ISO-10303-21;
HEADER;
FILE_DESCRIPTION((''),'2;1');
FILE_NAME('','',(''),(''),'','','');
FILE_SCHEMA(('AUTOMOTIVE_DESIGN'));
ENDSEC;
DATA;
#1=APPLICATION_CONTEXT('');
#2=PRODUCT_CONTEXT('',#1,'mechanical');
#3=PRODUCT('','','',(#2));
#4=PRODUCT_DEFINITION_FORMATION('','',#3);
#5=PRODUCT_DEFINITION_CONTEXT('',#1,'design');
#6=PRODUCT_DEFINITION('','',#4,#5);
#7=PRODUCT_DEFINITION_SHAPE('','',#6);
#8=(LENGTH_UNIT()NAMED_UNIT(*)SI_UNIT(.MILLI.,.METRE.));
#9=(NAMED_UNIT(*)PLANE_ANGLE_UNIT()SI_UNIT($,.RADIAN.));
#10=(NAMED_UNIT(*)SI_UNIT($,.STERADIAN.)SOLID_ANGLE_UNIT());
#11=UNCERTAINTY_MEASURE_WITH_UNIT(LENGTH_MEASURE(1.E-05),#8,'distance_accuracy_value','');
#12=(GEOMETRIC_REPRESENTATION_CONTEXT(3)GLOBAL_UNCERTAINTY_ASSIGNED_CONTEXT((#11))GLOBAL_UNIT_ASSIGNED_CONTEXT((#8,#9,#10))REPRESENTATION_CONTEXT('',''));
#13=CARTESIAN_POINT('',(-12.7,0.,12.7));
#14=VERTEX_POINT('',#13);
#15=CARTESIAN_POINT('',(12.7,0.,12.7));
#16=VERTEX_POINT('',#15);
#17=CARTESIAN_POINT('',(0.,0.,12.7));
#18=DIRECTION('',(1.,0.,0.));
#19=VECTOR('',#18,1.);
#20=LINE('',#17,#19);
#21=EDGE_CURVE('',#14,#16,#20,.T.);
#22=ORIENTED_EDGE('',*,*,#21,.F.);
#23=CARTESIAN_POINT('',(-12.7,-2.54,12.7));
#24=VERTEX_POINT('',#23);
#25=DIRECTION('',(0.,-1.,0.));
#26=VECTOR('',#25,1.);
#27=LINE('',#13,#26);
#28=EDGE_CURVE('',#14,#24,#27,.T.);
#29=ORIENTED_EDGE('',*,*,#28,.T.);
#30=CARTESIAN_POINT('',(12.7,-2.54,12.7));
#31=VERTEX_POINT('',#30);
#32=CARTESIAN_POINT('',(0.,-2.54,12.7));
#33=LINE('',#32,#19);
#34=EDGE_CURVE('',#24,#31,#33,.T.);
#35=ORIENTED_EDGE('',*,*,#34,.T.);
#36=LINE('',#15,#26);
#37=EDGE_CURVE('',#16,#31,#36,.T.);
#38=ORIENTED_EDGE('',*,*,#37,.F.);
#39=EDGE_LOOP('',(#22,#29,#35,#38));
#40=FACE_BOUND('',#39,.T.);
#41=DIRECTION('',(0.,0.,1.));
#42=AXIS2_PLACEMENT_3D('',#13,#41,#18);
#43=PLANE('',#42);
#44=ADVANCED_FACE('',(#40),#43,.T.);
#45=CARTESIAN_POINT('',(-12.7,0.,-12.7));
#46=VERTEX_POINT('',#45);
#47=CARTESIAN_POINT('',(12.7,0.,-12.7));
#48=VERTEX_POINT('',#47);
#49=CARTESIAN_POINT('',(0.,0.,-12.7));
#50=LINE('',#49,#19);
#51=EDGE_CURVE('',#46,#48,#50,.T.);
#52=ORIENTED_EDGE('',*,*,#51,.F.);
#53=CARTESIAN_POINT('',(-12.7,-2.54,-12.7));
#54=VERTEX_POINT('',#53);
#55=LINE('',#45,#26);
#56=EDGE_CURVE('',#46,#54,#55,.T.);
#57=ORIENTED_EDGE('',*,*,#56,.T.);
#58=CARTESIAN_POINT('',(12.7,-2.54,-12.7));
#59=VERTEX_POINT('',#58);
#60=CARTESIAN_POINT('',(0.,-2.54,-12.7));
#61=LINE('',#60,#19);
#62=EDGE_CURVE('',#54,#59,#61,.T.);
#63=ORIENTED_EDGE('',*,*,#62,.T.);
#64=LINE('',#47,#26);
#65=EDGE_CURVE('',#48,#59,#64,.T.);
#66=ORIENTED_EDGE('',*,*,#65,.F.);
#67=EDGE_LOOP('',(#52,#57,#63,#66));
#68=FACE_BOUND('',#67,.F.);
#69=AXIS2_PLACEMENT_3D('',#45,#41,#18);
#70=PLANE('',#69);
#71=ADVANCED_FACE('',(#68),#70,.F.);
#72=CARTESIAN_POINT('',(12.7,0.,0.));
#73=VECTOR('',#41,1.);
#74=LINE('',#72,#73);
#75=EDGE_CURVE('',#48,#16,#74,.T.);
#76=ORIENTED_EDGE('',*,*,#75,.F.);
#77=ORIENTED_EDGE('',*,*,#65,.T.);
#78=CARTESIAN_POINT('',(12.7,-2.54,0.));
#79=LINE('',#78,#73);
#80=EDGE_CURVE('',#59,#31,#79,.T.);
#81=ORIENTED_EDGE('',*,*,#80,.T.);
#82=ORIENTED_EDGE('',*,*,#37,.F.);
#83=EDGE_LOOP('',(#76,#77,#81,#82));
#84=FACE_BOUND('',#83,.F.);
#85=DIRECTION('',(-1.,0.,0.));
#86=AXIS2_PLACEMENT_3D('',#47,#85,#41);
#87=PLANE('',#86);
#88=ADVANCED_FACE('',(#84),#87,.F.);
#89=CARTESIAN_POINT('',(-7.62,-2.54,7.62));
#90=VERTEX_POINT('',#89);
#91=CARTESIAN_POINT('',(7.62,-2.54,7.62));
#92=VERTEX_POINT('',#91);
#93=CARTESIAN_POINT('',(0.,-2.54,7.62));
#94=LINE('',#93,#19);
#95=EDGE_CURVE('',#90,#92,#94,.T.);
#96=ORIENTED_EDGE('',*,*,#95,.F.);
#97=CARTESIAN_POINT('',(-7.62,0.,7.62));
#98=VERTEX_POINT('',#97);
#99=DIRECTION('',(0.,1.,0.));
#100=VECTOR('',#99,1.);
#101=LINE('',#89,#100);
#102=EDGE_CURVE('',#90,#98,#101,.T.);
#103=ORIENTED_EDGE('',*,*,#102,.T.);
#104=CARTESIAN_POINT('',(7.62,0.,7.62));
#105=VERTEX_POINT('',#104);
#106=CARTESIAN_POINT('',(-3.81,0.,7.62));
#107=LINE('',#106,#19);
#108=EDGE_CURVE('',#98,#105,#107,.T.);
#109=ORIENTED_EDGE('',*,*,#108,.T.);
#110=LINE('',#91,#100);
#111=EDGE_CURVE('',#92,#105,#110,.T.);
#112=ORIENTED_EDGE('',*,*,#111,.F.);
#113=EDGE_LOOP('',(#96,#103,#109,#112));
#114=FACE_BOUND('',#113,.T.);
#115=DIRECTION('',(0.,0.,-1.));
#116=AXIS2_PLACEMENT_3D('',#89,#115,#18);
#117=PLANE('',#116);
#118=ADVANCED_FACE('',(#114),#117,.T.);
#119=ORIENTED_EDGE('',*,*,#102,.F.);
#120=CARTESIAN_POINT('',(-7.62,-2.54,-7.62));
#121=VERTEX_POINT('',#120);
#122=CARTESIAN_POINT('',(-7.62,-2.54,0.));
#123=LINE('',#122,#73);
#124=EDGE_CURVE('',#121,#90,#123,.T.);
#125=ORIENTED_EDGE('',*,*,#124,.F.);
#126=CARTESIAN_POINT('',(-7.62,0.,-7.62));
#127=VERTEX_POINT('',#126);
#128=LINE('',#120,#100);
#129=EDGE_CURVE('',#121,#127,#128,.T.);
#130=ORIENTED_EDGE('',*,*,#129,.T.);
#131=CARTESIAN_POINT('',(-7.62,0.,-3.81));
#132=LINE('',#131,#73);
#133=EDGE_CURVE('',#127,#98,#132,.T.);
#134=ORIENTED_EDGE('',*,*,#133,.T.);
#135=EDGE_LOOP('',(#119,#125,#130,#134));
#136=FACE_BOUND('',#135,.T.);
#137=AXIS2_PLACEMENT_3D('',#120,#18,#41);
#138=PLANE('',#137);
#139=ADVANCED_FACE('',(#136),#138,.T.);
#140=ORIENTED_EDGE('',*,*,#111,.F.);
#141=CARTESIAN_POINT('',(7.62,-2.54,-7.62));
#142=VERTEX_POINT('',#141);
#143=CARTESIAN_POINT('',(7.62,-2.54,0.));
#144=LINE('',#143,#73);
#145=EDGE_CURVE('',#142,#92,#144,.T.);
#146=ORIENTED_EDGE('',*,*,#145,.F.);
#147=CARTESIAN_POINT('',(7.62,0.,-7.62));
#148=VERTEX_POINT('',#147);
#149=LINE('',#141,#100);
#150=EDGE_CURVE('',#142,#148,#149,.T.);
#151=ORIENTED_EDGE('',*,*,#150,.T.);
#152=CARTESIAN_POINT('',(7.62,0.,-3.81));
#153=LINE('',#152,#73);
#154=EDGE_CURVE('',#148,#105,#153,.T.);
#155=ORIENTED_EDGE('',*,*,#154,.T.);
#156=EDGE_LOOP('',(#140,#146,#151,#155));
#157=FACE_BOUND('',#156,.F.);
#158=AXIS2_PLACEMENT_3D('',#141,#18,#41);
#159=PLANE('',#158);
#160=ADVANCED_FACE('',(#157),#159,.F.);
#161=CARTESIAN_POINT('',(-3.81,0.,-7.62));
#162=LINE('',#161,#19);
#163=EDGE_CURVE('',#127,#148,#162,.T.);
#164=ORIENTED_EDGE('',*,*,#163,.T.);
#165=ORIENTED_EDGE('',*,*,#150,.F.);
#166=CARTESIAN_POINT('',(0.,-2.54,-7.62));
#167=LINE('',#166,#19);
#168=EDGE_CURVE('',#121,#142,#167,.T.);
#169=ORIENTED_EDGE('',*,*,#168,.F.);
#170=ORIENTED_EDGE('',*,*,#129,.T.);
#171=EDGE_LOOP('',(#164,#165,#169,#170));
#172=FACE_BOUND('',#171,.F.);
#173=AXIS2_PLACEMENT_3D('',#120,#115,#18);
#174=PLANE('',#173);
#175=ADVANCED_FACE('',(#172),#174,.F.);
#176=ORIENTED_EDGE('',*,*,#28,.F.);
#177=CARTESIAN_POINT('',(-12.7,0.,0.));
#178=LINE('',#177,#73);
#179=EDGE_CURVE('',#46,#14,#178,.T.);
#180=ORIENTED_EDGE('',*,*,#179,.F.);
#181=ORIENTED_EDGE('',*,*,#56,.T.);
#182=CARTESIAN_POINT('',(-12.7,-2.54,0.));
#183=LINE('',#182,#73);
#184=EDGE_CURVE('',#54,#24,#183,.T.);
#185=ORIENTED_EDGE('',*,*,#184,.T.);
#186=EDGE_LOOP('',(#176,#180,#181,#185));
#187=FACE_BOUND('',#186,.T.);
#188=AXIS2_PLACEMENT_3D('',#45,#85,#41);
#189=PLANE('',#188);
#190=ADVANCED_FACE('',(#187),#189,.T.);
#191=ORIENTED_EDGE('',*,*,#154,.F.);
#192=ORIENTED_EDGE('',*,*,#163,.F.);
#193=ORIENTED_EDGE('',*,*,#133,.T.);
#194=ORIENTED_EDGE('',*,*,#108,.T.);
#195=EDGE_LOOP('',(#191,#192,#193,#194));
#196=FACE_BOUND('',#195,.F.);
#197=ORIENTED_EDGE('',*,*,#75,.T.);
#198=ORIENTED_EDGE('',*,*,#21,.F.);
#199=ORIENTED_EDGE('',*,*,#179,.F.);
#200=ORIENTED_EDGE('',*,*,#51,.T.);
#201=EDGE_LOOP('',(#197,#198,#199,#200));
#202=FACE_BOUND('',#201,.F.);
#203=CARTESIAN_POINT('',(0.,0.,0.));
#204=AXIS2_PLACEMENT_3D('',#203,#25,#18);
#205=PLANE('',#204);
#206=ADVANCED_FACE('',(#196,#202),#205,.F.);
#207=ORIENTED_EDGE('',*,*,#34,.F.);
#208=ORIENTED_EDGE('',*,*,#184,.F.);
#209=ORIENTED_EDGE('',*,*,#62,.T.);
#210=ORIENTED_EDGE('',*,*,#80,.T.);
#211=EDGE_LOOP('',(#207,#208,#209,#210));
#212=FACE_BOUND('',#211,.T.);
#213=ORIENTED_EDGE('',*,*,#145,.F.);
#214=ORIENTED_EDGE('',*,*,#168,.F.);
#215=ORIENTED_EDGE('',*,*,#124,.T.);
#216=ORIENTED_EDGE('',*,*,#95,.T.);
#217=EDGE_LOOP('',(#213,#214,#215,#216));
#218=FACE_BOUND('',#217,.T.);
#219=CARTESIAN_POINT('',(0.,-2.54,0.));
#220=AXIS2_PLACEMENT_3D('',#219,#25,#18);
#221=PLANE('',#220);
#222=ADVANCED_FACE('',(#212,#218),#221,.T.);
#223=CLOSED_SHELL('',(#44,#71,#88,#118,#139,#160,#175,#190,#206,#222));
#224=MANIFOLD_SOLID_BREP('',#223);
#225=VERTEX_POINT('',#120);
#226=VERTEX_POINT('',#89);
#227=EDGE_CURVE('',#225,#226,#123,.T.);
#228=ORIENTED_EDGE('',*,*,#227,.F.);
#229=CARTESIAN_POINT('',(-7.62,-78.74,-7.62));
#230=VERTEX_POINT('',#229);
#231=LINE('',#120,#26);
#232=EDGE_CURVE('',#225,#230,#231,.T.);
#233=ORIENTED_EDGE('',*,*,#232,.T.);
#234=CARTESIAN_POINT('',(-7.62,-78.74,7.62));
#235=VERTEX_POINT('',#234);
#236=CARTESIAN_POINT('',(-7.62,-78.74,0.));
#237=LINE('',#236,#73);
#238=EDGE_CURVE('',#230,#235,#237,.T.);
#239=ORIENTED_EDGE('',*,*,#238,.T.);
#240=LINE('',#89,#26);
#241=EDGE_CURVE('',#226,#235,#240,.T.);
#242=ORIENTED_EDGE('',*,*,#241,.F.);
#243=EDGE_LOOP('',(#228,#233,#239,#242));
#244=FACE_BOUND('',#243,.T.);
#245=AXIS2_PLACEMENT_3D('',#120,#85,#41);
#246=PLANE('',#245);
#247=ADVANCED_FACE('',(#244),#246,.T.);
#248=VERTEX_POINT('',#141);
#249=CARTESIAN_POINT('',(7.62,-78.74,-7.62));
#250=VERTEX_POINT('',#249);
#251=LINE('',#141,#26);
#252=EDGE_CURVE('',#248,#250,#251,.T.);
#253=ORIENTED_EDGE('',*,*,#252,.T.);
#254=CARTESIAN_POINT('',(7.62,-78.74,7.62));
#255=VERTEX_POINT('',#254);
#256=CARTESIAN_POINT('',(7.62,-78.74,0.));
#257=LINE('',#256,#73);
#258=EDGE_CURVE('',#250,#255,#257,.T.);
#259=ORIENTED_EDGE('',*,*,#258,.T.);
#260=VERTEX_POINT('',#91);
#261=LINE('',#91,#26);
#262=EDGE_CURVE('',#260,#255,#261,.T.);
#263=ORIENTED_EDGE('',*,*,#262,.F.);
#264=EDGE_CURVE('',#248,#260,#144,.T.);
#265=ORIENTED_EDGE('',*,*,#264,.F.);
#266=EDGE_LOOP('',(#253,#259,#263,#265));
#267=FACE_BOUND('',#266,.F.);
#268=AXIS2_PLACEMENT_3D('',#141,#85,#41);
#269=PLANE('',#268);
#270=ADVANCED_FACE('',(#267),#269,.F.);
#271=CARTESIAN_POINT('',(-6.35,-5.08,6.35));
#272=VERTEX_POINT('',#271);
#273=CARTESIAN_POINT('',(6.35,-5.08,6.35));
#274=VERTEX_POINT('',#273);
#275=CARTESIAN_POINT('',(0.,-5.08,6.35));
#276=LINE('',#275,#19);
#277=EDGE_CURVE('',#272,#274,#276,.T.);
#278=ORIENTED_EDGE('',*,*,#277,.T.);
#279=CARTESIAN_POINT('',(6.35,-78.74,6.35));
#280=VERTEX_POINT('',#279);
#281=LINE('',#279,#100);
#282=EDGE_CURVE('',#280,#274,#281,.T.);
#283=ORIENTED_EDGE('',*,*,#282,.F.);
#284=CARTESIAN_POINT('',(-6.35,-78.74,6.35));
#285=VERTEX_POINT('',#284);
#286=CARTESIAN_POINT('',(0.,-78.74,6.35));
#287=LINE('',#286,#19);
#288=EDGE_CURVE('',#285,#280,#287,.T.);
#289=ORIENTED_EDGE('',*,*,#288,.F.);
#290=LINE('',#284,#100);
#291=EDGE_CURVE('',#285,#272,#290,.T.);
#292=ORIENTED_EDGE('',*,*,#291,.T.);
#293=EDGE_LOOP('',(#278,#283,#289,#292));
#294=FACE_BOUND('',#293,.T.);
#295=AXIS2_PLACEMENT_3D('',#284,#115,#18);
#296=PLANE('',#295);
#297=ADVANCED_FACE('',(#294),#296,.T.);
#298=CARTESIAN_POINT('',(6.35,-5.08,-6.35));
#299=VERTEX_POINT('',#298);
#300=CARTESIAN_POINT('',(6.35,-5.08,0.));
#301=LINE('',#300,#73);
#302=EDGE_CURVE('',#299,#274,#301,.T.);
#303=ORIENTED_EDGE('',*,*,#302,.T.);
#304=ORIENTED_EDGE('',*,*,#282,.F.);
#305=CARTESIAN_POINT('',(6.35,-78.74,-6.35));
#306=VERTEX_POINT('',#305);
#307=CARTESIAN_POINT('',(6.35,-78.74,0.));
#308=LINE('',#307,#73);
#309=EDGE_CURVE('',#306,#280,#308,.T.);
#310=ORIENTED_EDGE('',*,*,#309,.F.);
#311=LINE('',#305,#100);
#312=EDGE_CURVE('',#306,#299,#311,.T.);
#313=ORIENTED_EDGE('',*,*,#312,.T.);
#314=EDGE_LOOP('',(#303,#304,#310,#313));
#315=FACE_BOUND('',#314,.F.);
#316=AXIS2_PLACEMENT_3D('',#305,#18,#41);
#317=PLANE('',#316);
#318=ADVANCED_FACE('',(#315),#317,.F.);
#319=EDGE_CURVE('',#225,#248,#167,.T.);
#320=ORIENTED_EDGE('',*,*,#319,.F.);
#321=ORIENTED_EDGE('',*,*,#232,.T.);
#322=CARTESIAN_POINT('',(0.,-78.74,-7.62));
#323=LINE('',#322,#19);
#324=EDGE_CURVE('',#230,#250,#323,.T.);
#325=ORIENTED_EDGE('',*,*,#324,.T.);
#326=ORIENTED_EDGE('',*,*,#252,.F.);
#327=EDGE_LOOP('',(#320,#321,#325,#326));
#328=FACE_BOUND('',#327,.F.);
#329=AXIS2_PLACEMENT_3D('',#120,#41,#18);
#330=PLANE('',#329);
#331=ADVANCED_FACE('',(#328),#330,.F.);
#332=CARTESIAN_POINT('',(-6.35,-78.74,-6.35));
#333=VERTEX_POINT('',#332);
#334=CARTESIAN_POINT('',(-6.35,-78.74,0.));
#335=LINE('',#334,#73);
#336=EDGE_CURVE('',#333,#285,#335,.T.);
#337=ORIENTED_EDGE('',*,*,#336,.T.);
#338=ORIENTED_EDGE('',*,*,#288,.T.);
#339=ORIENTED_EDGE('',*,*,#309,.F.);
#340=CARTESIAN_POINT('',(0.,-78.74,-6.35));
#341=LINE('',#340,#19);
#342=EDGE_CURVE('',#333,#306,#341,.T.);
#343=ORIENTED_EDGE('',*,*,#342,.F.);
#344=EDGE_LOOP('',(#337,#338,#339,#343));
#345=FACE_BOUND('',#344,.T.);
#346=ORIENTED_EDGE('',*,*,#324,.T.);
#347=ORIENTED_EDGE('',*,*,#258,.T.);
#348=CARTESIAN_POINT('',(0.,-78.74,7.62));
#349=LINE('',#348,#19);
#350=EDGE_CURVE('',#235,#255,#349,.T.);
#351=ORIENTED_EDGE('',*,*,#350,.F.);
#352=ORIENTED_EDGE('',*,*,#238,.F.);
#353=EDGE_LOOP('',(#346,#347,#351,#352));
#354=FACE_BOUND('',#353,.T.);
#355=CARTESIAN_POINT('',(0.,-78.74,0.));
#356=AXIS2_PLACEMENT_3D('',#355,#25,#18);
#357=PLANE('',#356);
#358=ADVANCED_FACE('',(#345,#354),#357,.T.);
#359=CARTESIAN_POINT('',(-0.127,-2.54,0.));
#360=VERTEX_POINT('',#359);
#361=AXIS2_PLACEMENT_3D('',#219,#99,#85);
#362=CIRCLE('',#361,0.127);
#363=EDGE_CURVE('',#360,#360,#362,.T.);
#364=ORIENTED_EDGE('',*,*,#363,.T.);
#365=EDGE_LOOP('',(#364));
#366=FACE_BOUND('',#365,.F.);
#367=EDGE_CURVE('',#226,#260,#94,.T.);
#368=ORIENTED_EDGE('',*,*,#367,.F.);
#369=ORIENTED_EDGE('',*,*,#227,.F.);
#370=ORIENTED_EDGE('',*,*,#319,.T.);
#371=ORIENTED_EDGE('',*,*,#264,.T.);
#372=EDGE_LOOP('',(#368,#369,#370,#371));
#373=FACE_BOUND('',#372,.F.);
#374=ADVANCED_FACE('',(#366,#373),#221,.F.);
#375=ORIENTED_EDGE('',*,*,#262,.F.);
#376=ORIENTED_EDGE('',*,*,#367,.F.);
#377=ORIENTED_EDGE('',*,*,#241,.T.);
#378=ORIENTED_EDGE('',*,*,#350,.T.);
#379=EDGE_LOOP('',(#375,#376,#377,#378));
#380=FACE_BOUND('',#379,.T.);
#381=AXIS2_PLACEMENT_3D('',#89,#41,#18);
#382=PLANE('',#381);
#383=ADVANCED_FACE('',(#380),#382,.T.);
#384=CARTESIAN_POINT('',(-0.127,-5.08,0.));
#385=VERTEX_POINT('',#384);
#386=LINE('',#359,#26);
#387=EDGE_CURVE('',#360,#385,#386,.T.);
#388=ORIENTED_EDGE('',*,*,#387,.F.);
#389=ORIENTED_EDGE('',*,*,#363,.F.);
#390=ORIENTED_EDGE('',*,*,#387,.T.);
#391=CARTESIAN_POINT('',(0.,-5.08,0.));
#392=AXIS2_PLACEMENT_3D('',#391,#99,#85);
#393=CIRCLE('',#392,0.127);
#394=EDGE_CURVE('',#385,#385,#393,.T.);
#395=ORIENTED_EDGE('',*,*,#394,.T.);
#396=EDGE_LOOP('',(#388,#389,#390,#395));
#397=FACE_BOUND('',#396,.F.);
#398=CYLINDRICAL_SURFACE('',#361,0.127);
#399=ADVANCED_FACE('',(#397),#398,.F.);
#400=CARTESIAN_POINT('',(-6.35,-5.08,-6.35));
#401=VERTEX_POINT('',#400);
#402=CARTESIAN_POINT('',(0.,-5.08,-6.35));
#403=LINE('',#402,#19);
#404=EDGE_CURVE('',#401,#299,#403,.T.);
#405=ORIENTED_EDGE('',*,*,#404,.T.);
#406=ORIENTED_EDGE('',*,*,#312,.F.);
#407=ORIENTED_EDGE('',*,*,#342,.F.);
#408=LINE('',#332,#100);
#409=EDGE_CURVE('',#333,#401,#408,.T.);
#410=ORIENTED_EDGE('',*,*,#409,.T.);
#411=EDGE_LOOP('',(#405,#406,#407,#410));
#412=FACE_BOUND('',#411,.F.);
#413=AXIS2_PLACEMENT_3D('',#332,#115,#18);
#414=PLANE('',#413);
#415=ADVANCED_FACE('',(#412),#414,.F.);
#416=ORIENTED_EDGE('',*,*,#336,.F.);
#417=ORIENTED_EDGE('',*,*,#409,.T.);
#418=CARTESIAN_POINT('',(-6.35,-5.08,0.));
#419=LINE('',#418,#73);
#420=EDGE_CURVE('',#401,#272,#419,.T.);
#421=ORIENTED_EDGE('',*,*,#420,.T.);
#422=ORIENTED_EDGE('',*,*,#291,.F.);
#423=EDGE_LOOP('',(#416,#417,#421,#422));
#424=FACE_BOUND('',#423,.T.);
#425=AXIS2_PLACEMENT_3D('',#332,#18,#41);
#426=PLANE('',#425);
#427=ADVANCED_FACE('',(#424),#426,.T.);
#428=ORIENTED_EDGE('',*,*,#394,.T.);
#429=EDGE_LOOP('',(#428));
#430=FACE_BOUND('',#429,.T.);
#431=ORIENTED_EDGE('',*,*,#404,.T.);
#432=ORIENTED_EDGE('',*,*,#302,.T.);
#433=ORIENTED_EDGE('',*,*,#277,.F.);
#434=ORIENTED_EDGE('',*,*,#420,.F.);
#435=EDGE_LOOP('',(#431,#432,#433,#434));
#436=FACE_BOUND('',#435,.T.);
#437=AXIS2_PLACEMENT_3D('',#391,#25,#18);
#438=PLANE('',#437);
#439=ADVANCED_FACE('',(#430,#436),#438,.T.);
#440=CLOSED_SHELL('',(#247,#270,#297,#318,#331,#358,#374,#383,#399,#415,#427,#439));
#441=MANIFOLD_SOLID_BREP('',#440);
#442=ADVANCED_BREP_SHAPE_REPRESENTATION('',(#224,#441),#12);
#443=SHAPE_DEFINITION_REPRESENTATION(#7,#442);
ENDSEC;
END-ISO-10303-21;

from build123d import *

# Parameters (mm, degrees)
F0_W     = 25.4
F0_H     = 25.4
F1_DEPTH = 2.54
F2_W     = 15.24
F2_H     = 15.24
F3_DEPTH = 2.541
F4_W     = 15.24
F4_H     = 15.24
F5_DEPTH = 76.2
F6_W     = 12.7
F6_H     = 12.7
F7_DEPTH = 73.66
F8_R     = 0.127
F9_DEPTH = 76.201


with BuildPart() as f1:
    # F0 (on Front) → F1 (new body)
    with BuildSketch(Plane.XZ):
        Rectangle(F0_W, F0_H)
    extrude(amount=F1_DEPTH)

    # F2 (on face) → F3 (cut, through all)
    with BuildSketch(Plane.XZ.offset(2.54)):
        Rectangle(F2_W, F2_H)
    extrude(amount=-F3_DEPTH, mode=Mode.SUBTRACT)


with BuildPart() as f5:
    # F4 (on face) → F5 (new body)
    with BuildSketch(Plane.XZ.offset(2.54)):
        Rectangle(F4_W, F4_H)
    extrude(amount=F5_DEPTH)

    # F6 (on face) → F7 (cut)
    with BuildSketch(Plane.XZ.offset(78.74)):
        Rectangle(F6_W, F6_H)
    extrude(amount=-F7_DEPTH, mode=Mode.SUBTRACT)

    # F8 (on face) → F9 (cut, through all)
    with BuildSketch(Plane(origin=(0, -2.54, 0), x_dir=(-1, 0, 0), z_dir=(0, 1, 0))):
        Circle(F8_R)
    extrude(amount=-F9_DEPTH, mode=Mode.SUBTRACT)


solid = Compound([f1.part, f5.part])
